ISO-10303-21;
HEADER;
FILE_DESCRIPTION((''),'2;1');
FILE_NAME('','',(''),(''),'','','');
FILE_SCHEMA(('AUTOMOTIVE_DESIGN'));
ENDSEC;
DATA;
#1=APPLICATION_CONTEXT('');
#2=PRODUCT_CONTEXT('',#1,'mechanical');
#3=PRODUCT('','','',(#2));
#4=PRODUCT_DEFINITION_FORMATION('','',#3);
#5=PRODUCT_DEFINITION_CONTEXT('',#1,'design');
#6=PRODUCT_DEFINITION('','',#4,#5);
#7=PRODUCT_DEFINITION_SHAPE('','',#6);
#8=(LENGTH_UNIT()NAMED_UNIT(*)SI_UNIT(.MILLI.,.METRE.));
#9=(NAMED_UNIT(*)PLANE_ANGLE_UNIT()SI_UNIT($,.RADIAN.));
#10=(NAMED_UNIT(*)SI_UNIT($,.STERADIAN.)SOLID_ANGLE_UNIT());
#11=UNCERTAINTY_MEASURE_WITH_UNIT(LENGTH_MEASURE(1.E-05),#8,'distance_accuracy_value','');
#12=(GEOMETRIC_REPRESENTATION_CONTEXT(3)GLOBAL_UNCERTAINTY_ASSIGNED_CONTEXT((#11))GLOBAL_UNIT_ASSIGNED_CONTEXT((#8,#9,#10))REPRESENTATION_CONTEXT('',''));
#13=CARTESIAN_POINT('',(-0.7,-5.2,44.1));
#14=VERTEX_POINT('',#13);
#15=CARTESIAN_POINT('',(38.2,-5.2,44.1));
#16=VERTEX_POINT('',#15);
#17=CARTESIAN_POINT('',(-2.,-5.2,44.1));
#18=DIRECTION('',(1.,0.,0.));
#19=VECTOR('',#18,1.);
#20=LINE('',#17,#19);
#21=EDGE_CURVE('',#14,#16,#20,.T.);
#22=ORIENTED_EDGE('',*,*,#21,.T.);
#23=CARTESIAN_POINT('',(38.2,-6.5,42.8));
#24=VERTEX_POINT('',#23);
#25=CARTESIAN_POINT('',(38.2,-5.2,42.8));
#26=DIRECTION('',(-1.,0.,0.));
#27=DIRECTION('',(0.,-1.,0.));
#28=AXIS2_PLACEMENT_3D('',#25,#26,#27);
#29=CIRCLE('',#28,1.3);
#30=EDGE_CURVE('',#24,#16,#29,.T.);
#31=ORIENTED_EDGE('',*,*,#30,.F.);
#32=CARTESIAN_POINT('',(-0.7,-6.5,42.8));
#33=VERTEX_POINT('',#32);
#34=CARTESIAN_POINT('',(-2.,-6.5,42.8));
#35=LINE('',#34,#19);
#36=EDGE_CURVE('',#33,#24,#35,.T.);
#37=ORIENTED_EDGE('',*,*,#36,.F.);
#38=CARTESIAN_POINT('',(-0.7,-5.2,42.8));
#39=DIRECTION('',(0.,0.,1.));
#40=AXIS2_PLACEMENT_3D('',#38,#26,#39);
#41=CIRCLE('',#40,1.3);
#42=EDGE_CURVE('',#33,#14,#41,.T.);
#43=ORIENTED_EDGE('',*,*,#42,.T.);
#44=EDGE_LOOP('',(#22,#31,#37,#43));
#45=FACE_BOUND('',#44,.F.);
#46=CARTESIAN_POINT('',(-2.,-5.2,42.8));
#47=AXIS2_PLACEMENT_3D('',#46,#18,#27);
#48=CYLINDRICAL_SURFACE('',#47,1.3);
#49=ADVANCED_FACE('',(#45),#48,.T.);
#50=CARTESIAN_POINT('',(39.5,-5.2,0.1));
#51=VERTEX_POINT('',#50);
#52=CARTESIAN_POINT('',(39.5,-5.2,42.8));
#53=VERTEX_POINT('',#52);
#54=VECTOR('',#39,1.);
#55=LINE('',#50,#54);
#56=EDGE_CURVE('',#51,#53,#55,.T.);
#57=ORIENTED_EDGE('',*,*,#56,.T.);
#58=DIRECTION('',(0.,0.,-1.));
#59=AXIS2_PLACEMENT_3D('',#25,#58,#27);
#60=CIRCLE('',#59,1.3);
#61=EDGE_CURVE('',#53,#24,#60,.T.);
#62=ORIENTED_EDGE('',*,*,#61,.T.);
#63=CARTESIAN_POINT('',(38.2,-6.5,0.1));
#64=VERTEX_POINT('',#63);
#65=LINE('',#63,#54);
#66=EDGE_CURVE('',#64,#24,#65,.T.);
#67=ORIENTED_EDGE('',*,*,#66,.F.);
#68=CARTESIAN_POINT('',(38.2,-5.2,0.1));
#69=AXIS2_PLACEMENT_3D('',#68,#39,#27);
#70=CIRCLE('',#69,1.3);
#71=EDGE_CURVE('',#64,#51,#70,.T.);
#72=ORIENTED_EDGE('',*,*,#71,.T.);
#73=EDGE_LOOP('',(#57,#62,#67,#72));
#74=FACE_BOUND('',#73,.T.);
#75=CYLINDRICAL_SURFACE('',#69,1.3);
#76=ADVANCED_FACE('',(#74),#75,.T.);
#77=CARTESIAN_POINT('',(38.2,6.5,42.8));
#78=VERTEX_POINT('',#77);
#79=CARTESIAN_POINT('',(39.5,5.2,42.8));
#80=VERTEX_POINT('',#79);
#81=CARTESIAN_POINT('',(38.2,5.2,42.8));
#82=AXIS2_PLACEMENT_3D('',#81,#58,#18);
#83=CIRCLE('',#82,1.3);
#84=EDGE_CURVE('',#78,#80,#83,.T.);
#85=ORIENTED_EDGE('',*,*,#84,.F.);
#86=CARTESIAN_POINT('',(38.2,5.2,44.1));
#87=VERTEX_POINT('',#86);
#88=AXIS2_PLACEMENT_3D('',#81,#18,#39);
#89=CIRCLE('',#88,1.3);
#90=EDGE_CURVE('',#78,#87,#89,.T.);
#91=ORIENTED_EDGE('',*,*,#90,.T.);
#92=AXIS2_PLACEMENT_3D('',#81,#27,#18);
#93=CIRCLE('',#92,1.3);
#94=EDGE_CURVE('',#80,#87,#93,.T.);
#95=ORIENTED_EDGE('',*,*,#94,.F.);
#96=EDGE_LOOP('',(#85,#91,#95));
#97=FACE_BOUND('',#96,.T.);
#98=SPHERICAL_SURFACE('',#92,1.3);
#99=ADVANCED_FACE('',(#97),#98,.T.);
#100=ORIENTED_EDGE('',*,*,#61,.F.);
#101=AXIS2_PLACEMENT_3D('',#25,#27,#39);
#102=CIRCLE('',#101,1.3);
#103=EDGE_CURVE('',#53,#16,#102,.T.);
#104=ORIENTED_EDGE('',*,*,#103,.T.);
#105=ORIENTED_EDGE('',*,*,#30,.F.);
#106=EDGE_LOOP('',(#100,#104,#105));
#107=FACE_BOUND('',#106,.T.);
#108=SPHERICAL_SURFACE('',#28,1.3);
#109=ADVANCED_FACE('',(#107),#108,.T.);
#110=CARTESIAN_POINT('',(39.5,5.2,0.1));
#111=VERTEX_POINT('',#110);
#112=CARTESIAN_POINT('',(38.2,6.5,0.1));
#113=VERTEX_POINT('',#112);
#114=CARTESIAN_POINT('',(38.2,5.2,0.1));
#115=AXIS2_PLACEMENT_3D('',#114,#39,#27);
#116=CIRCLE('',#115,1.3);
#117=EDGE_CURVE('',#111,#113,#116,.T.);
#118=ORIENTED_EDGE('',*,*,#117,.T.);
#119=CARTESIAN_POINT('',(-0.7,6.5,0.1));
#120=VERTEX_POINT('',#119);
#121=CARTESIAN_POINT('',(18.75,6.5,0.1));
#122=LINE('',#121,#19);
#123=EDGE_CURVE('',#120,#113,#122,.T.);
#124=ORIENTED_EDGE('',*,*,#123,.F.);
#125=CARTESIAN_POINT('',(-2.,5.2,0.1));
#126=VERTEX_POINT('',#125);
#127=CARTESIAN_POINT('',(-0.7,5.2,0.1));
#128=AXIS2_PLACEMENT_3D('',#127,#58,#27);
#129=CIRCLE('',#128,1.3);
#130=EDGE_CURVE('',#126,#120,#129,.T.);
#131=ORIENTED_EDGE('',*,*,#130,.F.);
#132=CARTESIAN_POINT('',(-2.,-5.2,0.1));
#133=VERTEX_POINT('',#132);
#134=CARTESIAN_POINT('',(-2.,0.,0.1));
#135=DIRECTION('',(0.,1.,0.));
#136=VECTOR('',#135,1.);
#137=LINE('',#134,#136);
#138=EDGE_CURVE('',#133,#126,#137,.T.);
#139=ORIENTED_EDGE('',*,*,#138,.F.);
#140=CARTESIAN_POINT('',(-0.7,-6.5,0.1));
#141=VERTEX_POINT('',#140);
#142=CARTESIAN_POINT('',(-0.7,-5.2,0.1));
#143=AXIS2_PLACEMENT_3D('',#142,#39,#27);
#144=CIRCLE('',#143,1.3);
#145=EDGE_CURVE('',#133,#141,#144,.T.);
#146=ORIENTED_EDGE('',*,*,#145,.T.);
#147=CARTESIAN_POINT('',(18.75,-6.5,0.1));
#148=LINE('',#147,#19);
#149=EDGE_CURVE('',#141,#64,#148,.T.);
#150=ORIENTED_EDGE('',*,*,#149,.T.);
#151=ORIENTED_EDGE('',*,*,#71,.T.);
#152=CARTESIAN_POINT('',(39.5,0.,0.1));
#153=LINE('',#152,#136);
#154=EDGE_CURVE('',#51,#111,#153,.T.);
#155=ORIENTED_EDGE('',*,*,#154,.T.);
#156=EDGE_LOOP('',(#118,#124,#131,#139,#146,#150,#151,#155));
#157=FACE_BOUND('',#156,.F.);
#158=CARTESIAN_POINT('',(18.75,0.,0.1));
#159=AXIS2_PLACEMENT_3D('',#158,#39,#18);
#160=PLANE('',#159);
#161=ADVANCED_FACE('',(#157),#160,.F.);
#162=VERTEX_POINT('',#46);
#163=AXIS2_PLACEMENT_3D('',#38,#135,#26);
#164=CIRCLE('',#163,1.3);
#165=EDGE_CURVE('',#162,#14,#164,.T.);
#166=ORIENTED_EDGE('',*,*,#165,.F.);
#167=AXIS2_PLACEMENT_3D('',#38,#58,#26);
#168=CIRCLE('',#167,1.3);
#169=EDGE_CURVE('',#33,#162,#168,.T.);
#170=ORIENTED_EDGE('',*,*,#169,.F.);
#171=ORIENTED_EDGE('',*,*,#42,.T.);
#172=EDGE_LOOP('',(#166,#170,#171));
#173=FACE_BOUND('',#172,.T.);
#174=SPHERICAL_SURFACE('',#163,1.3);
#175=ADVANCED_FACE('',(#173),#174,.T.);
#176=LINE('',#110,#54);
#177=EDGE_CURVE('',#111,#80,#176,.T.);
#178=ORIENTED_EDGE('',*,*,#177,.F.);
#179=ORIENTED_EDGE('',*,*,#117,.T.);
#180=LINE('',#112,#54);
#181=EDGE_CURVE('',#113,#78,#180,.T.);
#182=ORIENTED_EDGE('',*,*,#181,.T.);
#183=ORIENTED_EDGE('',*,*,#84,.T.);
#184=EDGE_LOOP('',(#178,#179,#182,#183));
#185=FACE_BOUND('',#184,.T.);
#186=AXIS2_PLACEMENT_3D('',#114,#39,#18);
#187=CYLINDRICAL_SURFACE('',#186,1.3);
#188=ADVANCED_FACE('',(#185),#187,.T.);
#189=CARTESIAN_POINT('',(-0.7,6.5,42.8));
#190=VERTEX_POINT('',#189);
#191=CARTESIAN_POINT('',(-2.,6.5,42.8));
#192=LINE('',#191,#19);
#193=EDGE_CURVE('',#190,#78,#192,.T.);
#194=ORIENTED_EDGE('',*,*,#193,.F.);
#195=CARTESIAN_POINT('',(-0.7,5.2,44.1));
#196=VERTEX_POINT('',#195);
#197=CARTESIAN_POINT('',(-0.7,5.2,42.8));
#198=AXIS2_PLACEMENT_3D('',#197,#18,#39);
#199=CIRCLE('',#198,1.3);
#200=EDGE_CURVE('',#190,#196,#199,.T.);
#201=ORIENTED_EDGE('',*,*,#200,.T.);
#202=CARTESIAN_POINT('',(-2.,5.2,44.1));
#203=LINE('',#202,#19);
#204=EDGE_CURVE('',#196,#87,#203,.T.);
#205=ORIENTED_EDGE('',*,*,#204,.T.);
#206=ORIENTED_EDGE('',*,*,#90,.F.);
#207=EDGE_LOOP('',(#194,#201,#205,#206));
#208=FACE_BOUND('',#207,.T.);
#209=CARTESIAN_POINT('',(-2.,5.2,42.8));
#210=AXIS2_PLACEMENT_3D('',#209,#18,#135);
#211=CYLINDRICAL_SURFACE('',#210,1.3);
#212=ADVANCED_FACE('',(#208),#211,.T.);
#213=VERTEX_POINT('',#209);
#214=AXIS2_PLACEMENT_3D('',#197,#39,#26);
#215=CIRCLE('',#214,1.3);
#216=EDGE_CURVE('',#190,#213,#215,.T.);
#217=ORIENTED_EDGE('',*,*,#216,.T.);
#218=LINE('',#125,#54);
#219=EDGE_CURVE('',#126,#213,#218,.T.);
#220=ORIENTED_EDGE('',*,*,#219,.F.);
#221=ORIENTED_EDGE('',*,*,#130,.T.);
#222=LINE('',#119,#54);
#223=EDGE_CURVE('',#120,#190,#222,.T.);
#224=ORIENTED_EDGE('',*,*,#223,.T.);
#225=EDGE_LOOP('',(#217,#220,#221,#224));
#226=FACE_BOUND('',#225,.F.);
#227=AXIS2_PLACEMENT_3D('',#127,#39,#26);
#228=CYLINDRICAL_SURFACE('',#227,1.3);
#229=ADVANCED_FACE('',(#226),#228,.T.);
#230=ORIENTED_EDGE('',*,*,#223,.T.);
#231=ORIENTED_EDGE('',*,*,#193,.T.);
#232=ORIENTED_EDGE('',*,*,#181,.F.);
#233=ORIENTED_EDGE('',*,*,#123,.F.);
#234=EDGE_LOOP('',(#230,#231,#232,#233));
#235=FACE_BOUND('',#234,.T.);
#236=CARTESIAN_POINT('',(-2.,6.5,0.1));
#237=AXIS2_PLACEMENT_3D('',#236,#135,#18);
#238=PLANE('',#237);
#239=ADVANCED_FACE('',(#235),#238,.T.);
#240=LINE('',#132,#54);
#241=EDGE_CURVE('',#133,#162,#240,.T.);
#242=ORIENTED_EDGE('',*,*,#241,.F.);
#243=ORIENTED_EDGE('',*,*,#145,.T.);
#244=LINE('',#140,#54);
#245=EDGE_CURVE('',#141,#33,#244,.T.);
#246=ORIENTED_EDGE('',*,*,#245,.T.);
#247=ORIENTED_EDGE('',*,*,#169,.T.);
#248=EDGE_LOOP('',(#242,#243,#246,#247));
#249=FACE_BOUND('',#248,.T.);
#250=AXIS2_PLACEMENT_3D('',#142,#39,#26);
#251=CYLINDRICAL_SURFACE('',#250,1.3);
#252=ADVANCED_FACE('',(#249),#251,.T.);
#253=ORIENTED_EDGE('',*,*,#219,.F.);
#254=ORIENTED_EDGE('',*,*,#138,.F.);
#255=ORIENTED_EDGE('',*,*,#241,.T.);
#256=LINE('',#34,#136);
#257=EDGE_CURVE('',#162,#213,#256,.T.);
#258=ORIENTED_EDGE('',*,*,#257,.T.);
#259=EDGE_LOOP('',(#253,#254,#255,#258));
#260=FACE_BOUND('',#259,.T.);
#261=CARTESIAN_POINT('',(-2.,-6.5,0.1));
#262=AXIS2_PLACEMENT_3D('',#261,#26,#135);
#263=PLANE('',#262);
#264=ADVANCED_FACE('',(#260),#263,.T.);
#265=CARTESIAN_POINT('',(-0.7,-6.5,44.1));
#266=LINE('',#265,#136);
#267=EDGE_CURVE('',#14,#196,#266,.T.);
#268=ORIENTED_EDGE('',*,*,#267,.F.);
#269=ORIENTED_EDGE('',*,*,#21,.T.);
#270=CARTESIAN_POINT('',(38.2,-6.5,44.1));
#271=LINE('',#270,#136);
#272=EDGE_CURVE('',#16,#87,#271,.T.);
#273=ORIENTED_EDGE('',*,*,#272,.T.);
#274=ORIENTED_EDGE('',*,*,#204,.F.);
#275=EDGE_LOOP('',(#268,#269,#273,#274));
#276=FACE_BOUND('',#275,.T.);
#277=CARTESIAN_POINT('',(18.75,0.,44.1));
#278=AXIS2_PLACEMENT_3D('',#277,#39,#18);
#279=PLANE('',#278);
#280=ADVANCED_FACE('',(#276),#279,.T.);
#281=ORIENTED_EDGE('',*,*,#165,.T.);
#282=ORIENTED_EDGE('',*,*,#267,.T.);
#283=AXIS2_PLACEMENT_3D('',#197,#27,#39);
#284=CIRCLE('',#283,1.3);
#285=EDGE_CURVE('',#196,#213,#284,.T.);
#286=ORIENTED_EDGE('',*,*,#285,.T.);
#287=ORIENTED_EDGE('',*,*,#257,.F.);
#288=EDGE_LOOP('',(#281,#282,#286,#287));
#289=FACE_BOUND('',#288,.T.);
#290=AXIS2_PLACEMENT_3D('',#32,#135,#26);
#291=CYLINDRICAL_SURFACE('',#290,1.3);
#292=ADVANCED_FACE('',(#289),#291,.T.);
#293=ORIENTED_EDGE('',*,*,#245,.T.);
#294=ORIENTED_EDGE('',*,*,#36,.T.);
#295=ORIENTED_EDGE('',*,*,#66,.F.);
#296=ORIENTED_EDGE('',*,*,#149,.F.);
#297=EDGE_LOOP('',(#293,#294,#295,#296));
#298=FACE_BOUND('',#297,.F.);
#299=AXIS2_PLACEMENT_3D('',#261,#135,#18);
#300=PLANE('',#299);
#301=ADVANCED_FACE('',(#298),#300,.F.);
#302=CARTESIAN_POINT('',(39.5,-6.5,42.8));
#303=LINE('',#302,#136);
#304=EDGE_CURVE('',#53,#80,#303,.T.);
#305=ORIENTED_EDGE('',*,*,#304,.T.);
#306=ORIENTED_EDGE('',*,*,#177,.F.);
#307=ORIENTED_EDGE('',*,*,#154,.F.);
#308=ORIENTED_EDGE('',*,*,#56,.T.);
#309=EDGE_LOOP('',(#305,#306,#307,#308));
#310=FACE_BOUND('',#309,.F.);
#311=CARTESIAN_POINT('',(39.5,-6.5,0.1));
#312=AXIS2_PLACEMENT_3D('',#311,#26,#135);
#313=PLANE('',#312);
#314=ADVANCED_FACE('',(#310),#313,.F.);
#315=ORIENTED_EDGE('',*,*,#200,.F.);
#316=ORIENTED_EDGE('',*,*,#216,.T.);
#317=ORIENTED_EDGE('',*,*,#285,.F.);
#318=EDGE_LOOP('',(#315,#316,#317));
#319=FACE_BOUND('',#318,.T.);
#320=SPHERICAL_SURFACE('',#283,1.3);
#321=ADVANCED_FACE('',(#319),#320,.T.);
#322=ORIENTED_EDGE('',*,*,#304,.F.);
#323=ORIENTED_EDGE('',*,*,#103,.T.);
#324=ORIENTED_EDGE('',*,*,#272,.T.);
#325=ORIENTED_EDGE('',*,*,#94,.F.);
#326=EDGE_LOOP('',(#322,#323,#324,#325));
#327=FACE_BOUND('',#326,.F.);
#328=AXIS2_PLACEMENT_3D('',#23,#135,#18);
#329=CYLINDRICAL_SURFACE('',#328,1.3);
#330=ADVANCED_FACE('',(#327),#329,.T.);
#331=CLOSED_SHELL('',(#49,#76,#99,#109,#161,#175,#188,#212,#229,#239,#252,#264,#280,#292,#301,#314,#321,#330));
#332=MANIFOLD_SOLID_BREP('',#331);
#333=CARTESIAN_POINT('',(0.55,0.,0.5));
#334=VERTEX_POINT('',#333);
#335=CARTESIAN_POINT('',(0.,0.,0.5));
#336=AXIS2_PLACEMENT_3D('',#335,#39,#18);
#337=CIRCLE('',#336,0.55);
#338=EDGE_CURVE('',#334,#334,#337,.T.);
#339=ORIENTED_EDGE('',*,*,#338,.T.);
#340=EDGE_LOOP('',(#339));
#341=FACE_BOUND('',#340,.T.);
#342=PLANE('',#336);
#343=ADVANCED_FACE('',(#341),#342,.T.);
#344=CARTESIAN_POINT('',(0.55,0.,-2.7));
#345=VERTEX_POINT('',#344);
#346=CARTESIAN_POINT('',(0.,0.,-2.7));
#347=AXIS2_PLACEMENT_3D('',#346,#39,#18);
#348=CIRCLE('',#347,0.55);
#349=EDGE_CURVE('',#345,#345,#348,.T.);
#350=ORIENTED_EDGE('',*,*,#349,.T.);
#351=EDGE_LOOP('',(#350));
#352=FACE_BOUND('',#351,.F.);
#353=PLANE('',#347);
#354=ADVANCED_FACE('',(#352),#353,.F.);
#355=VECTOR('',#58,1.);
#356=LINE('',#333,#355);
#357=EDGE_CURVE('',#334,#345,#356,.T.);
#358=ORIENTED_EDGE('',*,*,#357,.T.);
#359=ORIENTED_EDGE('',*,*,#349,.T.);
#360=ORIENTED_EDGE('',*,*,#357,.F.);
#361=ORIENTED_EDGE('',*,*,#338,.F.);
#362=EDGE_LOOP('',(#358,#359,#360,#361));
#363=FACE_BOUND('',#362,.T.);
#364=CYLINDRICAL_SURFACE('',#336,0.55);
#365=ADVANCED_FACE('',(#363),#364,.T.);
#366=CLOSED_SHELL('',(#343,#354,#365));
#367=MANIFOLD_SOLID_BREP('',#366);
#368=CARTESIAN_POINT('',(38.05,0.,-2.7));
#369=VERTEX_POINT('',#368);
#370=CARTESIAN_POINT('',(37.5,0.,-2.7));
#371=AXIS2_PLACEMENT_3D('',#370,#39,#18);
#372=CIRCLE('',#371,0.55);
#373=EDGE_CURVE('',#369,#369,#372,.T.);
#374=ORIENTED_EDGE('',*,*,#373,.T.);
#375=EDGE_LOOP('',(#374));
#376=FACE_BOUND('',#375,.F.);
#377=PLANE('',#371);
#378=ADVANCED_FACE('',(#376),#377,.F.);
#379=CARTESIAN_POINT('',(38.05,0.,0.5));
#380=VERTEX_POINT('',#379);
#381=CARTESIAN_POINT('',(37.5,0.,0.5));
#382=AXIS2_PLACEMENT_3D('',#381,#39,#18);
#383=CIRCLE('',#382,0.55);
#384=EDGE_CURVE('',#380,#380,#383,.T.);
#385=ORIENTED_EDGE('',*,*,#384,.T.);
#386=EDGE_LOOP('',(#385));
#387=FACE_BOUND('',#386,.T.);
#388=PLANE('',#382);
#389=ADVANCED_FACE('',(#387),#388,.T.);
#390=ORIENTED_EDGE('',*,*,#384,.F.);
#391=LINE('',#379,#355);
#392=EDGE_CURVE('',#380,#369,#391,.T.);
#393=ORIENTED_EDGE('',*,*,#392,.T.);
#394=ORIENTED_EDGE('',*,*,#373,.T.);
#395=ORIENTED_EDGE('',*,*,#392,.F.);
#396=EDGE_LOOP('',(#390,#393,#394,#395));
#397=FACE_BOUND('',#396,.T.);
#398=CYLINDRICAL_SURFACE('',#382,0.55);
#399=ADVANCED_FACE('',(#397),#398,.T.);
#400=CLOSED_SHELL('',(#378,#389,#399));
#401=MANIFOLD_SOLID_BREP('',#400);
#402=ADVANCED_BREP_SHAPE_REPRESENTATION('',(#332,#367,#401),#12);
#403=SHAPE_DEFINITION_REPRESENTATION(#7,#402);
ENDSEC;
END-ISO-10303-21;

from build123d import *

# Parameters (mm, degrees)
SKETCH_W     = 41.5
SKETCH_H     = 13
PAD_DEPTH    = 44
FILLET_R     = 1.3
SKETCH001_R  = 0.55
PAD001_DEPTH = 3.2


with BuildPart() as fillet_body:
    # Sketch → Pad (new body)
    with BuildSketch(Plane.XY.offset(0.1)):
        with Locations((18.75, 0)):
            Rectangle(SKETCH_W, SKETCH_H)
    extrude(amount=PAD_DEPTH)

    # Fillet
    fillet_edges = [fillet_body.edges().sort_by_distance(p)[0] for p in [
        (-2, 0, 44.1),
        (-2, -6.5, 22.1),
        (18.75, -6.5, 44.1),
        (39.5, -6.5, 22.1),
        (39.5, 0, 44.1),
        (39.5, 6.5, 22.1),
        (18.75, 6.5, 44.1),
        (-2, 6.5, 22.1),
    ]]
    fillet(fillet_edges, radius=FILLET_R)


with BuildPart() as pad001:
    # Sketch001 → Pad001 (new body)
    with BuildSketch(Plane.XY.offset(0.5)):
        Circle(SKETCH001_R)
        with Locations((37.5, 0)):
            Circle(SKETCH001_R)
    extrude(amount=-PAD001_DEPTH)


solid = Compound([fillet_body.part, pad001.part])
